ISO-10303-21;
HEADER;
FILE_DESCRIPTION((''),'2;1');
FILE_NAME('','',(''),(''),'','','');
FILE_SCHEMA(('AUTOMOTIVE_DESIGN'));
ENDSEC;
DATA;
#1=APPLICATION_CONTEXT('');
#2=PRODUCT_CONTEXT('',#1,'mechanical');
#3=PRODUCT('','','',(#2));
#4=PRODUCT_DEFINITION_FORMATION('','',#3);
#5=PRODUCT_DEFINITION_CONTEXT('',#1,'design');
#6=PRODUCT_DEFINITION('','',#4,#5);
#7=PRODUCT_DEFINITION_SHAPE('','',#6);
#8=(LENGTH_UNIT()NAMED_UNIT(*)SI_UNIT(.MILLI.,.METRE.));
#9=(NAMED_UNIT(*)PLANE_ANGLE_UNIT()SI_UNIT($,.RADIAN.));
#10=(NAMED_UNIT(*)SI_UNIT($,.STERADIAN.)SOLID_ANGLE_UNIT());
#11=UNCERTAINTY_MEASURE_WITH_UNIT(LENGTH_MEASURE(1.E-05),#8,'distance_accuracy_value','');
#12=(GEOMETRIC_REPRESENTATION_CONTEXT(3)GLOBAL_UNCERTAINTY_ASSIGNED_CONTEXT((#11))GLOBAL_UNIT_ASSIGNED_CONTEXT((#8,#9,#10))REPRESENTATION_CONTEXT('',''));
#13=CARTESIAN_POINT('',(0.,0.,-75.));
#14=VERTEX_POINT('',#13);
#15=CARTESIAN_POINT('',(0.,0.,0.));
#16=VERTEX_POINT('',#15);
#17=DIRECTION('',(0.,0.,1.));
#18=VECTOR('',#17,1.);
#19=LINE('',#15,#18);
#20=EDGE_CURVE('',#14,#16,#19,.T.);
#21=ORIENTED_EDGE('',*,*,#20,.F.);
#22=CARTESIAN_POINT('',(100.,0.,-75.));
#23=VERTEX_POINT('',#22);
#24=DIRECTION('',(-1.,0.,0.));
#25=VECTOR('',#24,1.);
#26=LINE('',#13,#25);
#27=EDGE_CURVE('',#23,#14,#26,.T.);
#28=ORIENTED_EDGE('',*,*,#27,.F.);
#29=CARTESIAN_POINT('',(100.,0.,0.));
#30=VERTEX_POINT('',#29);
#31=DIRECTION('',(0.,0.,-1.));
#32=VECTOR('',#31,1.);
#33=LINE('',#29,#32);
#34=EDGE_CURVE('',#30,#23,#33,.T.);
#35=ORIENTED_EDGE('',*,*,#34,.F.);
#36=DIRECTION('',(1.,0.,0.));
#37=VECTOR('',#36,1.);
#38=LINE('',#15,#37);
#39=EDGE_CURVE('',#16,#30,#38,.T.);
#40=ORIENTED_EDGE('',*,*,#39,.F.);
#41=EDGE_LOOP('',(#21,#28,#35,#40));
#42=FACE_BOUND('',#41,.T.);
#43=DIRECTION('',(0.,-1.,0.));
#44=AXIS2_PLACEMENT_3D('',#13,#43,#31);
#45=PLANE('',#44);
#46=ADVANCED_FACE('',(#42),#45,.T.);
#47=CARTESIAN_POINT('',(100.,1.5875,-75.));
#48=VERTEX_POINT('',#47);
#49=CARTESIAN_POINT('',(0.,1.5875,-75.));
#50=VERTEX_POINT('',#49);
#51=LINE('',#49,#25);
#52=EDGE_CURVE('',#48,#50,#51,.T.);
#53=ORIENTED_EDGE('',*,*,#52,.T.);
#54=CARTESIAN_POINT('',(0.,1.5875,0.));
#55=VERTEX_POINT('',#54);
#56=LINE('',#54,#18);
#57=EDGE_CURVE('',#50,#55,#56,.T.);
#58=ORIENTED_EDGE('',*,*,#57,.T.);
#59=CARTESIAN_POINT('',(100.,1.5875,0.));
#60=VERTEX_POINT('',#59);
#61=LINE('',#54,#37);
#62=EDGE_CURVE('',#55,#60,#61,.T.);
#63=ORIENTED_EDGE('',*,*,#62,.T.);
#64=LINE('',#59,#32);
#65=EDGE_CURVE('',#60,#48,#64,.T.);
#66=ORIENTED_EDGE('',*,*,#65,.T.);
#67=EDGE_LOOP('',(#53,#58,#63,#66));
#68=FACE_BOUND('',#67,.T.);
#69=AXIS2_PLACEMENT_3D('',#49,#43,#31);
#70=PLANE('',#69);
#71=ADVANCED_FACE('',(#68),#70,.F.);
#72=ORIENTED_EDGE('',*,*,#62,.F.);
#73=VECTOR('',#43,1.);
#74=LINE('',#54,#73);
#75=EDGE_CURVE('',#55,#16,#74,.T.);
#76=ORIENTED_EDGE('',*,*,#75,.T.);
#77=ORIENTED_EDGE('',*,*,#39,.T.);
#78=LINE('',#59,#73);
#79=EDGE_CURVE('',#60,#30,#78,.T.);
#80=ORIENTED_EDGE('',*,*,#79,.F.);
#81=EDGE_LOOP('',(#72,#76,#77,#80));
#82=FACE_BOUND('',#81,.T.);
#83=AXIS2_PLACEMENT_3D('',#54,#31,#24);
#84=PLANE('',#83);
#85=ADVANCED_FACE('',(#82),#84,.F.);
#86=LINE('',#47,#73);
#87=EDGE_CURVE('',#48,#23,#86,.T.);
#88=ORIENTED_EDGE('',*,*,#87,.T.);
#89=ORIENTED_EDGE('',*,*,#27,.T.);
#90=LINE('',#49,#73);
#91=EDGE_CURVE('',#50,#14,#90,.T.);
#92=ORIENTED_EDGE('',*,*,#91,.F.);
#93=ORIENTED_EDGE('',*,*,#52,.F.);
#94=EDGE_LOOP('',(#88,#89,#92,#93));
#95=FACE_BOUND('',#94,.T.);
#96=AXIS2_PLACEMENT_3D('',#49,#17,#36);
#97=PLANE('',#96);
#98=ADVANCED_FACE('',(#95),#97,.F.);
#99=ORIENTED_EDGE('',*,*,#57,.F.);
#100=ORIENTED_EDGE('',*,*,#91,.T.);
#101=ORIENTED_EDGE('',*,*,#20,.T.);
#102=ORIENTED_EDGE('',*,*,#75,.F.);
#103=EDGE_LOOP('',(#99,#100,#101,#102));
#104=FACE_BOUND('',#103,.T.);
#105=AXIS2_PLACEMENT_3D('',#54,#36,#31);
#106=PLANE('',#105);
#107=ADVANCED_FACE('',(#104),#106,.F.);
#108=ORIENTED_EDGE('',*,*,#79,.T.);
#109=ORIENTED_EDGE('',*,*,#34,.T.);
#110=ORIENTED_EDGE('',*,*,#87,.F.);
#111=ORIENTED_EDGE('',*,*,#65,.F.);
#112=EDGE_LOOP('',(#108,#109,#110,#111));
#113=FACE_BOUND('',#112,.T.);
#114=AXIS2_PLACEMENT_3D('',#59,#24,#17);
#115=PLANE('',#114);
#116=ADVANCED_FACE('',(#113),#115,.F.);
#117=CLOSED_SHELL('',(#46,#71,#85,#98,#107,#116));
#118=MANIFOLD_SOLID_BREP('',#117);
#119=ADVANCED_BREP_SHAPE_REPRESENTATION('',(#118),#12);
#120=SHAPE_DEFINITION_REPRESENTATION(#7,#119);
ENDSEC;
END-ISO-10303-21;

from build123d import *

# Parameters (mm, degrees)
SKETCH1_W           = 100
SKETCH1_H           = 75
BOSS_EXTRUDE1_DEPTH = 1.5875


with BuildPart() as part:
    # Sketch1 → Boss-Extrude1 (new body)
    with BuildSketch(Plane(origin=(0, 0, 0), x_dir=(1, 0, 0), z_dir=(0, 1, 0))):
        with Locations((50, 37.5)):
            Rectangle(SKETCH1_W, SKETCH1_H)
    extrude(amount=BOSS_EXTRUDE1_DEPTH)


solid = part.part
